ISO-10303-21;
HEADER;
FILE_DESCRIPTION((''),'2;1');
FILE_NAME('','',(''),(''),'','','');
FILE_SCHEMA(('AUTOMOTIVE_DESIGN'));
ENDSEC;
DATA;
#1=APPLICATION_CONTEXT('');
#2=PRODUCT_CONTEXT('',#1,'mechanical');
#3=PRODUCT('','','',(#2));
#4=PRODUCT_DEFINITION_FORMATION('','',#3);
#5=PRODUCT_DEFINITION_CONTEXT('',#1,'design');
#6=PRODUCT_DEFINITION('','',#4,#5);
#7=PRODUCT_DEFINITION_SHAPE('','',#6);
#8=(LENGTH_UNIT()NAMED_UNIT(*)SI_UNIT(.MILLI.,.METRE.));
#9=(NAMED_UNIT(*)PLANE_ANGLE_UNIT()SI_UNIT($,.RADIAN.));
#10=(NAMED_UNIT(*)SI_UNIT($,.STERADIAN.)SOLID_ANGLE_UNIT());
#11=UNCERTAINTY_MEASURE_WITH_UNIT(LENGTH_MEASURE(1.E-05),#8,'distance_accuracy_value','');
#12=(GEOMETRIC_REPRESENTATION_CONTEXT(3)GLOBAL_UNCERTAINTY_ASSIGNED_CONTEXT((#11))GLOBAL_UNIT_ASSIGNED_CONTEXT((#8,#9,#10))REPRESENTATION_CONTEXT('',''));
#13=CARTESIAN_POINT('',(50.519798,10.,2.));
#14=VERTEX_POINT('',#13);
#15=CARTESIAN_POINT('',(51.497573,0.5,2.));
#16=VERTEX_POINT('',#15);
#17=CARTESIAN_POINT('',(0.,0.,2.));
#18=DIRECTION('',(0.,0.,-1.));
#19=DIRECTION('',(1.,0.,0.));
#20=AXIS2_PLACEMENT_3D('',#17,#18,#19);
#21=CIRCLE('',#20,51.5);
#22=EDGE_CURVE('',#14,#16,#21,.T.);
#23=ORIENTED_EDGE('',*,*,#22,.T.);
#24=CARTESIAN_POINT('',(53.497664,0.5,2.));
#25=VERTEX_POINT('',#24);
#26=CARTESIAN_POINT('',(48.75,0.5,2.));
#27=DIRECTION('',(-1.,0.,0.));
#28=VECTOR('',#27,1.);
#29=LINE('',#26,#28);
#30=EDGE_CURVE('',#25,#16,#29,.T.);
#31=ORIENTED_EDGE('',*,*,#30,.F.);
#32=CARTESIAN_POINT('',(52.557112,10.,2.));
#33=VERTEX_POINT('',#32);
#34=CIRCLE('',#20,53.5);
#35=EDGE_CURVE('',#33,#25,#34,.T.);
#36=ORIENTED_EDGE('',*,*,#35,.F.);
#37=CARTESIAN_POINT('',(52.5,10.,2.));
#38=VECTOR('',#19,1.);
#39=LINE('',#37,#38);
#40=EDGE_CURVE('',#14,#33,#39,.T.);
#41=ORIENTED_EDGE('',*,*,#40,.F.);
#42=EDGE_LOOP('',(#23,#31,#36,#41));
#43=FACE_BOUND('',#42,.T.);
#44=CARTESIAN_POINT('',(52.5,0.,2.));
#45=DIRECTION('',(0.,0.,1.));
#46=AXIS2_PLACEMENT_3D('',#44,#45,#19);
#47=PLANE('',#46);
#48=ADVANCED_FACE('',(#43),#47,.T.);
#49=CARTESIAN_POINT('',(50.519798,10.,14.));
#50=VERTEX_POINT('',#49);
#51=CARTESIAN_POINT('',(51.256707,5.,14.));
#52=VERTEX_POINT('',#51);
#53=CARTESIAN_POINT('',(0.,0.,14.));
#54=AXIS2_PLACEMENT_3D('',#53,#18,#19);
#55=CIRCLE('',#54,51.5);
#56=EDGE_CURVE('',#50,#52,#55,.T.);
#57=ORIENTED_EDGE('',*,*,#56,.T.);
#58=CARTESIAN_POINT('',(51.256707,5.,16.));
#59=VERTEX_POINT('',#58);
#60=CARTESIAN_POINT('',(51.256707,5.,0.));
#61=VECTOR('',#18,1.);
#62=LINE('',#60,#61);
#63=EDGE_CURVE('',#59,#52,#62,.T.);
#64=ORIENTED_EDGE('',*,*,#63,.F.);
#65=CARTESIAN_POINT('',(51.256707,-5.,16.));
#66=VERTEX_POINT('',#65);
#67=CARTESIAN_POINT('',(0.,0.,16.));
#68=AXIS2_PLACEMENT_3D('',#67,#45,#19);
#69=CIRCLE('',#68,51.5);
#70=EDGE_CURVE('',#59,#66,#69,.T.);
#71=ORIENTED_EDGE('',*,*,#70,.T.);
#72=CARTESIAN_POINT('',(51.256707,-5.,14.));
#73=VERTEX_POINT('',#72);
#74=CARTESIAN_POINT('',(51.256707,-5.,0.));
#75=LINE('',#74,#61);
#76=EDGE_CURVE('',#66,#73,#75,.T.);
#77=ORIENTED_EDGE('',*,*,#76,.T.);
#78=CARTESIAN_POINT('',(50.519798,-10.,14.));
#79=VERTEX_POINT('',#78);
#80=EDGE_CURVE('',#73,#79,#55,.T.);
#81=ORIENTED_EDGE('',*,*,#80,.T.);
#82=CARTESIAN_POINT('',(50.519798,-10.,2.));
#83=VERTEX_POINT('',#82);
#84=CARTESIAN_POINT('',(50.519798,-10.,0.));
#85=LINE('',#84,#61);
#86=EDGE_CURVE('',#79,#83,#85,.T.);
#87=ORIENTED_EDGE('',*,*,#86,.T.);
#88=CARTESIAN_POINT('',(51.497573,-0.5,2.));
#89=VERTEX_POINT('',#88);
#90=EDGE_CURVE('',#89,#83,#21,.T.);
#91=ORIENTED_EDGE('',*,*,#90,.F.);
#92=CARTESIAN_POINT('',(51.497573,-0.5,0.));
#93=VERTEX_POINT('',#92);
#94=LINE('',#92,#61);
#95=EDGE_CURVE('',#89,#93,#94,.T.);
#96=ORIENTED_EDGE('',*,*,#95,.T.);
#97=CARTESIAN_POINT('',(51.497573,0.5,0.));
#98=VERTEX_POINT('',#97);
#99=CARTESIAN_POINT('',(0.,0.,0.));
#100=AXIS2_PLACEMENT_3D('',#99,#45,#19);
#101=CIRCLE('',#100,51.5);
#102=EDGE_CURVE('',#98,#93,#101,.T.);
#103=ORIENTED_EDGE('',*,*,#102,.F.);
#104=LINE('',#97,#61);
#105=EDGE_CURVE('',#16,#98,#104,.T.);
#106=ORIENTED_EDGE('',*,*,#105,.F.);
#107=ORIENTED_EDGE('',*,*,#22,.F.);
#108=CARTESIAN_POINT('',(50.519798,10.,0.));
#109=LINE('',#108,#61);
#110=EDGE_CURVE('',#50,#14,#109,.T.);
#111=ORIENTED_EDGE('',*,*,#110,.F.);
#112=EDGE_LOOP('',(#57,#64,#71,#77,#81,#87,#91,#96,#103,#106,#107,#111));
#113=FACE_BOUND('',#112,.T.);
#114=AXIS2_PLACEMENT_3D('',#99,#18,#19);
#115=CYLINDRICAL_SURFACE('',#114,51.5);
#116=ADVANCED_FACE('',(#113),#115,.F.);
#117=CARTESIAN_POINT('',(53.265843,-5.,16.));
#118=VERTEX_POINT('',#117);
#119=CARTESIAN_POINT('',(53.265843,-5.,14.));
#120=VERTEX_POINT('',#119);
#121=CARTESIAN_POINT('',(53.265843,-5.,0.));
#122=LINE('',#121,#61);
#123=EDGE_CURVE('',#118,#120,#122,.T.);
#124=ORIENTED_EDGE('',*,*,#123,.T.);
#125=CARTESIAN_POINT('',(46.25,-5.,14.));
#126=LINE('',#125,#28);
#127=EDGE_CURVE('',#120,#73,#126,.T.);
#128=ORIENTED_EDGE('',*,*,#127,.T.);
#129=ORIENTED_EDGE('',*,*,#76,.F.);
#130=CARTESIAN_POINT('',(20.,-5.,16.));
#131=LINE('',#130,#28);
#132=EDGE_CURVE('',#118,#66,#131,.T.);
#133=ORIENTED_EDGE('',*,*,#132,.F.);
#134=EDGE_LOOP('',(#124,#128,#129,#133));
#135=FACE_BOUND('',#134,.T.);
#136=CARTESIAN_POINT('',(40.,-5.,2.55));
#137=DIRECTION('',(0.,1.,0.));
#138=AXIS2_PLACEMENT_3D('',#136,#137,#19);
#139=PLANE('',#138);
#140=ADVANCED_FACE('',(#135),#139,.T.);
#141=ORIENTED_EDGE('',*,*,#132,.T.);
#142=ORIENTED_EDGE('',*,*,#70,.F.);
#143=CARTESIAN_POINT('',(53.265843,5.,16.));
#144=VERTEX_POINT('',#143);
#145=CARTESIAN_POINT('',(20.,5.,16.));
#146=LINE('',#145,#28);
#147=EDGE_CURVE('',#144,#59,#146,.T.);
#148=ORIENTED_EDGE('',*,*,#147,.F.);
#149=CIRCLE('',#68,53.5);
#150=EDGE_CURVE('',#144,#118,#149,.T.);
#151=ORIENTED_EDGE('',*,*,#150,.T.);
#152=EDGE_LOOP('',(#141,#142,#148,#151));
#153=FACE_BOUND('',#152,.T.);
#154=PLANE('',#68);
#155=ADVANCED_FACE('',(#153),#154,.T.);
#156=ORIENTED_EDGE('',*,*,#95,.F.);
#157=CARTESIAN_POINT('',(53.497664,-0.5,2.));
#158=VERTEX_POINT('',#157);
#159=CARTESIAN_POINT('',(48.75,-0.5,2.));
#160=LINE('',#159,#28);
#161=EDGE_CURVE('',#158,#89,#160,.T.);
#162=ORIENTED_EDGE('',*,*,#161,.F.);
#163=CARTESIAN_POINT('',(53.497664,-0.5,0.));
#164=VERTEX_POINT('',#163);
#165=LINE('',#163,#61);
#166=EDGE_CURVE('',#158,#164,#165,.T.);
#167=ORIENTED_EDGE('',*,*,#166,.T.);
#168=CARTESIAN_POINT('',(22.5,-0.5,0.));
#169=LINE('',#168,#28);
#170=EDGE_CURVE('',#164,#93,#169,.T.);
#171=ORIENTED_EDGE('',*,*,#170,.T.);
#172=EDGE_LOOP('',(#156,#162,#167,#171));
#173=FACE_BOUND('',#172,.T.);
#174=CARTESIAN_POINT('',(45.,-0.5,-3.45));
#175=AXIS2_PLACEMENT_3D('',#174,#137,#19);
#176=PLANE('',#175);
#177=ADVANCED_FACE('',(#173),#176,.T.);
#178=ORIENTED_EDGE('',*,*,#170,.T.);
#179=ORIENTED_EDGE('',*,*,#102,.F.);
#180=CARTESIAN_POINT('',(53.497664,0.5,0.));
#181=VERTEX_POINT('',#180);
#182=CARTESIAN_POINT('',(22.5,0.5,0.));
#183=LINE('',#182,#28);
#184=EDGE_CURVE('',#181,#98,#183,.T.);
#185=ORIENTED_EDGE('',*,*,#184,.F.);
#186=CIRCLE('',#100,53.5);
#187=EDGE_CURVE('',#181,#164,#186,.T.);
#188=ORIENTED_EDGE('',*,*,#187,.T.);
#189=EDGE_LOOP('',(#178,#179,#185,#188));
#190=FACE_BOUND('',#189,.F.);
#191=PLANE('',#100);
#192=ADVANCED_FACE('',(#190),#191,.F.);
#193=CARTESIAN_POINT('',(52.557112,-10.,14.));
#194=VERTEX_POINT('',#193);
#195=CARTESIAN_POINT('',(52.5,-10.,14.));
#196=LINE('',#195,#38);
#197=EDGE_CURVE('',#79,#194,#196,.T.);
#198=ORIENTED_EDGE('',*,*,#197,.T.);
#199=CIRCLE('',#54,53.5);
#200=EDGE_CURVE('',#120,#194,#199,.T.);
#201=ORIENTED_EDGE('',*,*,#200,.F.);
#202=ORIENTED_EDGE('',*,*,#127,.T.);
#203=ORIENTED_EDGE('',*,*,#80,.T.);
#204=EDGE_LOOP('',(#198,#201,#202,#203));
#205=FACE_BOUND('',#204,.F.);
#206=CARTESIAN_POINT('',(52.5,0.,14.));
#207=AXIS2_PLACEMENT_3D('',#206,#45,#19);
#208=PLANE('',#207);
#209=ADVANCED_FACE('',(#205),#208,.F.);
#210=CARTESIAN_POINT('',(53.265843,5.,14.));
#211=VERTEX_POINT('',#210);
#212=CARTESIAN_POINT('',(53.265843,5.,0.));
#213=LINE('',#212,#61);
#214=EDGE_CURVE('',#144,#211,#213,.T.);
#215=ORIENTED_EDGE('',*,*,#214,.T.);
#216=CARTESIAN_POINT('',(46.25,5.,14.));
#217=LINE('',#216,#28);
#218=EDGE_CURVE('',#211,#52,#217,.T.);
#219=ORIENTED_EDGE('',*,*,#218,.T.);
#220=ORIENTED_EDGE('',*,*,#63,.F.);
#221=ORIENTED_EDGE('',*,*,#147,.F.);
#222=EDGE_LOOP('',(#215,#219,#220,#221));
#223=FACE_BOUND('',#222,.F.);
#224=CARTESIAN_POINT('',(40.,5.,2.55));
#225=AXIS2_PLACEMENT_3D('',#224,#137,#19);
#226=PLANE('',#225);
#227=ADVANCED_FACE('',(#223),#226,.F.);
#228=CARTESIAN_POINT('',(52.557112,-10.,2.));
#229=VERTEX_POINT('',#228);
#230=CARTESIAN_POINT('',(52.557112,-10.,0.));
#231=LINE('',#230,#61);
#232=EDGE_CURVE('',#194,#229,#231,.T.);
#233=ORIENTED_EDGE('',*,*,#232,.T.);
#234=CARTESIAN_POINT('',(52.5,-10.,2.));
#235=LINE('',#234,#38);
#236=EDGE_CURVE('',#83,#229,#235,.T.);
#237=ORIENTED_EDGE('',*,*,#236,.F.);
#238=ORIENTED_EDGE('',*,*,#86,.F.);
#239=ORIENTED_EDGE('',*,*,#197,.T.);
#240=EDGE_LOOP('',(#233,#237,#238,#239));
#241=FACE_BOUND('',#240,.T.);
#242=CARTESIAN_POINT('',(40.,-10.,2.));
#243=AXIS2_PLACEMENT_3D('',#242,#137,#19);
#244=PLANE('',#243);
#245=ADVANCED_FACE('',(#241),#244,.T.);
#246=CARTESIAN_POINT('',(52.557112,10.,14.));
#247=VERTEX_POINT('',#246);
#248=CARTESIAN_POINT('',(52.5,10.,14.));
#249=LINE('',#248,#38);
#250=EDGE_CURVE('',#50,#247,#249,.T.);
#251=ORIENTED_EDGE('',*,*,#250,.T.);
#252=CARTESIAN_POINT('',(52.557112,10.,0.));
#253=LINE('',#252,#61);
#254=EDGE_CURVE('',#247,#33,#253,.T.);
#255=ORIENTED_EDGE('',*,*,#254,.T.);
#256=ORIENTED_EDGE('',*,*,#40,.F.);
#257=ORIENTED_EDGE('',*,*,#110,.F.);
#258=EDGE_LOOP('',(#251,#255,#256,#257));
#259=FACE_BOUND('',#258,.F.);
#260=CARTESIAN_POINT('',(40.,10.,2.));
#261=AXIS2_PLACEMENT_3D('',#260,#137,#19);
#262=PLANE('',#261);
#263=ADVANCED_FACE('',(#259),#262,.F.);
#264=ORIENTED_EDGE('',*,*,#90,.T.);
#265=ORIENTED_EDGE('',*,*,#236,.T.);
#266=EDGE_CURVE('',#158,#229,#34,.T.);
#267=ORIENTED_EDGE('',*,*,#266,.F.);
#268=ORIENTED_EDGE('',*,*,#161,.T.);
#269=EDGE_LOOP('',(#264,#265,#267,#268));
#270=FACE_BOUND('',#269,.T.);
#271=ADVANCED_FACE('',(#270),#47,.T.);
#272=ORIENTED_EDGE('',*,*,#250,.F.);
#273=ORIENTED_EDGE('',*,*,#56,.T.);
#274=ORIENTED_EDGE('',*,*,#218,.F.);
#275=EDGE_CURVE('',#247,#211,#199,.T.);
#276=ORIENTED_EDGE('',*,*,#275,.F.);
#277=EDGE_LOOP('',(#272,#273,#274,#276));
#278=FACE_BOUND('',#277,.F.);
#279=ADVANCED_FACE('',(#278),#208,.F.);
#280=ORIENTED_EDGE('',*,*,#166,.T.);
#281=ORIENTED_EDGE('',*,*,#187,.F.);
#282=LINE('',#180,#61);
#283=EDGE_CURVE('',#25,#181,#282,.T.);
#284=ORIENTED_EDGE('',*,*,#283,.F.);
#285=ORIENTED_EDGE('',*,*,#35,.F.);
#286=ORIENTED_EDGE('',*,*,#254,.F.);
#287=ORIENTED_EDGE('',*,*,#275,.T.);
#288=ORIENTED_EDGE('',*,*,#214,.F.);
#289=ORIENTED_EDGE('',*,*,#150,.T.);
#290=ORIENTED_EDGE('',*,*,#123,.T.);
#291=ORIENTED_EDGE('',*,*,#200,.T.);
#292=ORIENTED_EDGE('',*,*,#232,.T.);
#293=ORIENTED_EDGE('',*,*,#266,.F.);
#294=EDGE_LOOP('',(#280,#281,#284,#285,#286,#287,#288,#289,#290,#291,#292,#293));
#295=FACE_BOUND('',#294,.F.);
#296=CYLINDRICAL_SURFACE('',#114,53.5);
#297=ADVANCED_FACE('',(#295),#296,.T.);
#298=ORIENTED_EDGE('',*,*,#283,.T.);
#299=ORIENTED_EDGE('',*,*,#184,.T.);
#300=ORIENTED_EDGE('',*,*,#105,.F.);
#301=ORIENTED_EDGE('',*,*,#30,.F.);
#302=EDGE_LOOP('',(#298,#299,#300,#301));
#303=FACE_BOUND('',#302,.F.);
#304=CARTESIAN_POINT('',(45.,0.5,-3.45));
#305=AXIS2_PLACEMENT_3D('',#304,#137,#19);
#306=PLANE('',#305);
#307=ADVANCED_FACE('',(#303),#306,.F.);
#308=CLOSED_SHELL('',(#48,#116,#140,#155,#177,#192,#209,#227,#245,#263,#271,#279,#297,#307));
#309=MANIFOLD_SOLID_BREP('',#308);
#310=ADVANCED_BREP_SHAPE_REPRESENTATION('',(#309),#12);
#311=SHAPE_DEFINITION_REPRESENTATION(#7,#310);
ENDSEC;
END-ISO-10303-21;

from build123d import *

# Parameters (mm, degrees)
BOX002_W          = 25
BOX002_H          = 10
BOX002_DEPTH      = 25.45
BOX010_W          = 25
BOX010_H          = 1
BOX010_DEPTH      = 25.45
BOX_W             = 25
BOX_H             = 20
BOX_DEPTH         = 12
CYLINDER_R        = 51.5
CYLINDER_DEPTH    = 16
CYLINDER001_R     = 53.5
CYLINDER001_DEPTH = 16


with BuildPart() as cube002:
    # Box002 → Box002 (new body)
    with BuildSketch(Plane(origin=(40, -5, 2.55), x_dir=(1, 0, 0), z_dir=(0, 0, 1))):
        with Locations((12.5, 5)):
            Rectangle(BOX002_W, BOX002_H)
    extrude(amount=BOX002_DEPTH)


with BuildPart() as cube010:
    # Box010 → Box010 (new body)
    with BuildSketch(Plane(origin=(45, -0.5, -3.45), x_dir=(1, 0, 0), z_dir=(0, 0, 1))):
        with Locations((12.5, 0.5)):
            Rectangle(BOX010_W, BOX010_H)
    extrude(amount=BOX010_DEPTH)


with BuildPart() as cortador002:
    # Box → Box (new body)
    with BuildSketch(Plane(origin=(40, -10, 2), x_dir=(1, 0, 0), z_dir=(0, 0, 1))):
        with Locations((12.5, 10)):
            Rectangle(BOX_W, BOX_H)
    extrude(amount=BOX_DEPTH)

    # Fusion: union Cube002, Cube010
    add(cube002.part)
    add(cube010.part)


with BuildPart() as cylinder_chico:
    # Cylinder → Cylinder (new body)
    with BuildSketch(Plane.XY):
        Circle(CYLINDER_R)
    extrude(amount=CYLINDER_DEPTH)


with BuildPart() as cut015021:
    # Cylinder001 → Cylinder001 (new body)
    with BuildSketch(Plane.XY):
        Circle(CYLINDER001_R)
    extrude(amount=CYLINDER001_DEPTH)

    # Cut: cut Cylinder_chico
    add(cylinder_chico.part, mode=Mode.SUBTRACT)

    # Cut015021: cut cortador002
    add(cortador002.part, mode=Mode.SUBTRACT)


solid = cut015021.part
